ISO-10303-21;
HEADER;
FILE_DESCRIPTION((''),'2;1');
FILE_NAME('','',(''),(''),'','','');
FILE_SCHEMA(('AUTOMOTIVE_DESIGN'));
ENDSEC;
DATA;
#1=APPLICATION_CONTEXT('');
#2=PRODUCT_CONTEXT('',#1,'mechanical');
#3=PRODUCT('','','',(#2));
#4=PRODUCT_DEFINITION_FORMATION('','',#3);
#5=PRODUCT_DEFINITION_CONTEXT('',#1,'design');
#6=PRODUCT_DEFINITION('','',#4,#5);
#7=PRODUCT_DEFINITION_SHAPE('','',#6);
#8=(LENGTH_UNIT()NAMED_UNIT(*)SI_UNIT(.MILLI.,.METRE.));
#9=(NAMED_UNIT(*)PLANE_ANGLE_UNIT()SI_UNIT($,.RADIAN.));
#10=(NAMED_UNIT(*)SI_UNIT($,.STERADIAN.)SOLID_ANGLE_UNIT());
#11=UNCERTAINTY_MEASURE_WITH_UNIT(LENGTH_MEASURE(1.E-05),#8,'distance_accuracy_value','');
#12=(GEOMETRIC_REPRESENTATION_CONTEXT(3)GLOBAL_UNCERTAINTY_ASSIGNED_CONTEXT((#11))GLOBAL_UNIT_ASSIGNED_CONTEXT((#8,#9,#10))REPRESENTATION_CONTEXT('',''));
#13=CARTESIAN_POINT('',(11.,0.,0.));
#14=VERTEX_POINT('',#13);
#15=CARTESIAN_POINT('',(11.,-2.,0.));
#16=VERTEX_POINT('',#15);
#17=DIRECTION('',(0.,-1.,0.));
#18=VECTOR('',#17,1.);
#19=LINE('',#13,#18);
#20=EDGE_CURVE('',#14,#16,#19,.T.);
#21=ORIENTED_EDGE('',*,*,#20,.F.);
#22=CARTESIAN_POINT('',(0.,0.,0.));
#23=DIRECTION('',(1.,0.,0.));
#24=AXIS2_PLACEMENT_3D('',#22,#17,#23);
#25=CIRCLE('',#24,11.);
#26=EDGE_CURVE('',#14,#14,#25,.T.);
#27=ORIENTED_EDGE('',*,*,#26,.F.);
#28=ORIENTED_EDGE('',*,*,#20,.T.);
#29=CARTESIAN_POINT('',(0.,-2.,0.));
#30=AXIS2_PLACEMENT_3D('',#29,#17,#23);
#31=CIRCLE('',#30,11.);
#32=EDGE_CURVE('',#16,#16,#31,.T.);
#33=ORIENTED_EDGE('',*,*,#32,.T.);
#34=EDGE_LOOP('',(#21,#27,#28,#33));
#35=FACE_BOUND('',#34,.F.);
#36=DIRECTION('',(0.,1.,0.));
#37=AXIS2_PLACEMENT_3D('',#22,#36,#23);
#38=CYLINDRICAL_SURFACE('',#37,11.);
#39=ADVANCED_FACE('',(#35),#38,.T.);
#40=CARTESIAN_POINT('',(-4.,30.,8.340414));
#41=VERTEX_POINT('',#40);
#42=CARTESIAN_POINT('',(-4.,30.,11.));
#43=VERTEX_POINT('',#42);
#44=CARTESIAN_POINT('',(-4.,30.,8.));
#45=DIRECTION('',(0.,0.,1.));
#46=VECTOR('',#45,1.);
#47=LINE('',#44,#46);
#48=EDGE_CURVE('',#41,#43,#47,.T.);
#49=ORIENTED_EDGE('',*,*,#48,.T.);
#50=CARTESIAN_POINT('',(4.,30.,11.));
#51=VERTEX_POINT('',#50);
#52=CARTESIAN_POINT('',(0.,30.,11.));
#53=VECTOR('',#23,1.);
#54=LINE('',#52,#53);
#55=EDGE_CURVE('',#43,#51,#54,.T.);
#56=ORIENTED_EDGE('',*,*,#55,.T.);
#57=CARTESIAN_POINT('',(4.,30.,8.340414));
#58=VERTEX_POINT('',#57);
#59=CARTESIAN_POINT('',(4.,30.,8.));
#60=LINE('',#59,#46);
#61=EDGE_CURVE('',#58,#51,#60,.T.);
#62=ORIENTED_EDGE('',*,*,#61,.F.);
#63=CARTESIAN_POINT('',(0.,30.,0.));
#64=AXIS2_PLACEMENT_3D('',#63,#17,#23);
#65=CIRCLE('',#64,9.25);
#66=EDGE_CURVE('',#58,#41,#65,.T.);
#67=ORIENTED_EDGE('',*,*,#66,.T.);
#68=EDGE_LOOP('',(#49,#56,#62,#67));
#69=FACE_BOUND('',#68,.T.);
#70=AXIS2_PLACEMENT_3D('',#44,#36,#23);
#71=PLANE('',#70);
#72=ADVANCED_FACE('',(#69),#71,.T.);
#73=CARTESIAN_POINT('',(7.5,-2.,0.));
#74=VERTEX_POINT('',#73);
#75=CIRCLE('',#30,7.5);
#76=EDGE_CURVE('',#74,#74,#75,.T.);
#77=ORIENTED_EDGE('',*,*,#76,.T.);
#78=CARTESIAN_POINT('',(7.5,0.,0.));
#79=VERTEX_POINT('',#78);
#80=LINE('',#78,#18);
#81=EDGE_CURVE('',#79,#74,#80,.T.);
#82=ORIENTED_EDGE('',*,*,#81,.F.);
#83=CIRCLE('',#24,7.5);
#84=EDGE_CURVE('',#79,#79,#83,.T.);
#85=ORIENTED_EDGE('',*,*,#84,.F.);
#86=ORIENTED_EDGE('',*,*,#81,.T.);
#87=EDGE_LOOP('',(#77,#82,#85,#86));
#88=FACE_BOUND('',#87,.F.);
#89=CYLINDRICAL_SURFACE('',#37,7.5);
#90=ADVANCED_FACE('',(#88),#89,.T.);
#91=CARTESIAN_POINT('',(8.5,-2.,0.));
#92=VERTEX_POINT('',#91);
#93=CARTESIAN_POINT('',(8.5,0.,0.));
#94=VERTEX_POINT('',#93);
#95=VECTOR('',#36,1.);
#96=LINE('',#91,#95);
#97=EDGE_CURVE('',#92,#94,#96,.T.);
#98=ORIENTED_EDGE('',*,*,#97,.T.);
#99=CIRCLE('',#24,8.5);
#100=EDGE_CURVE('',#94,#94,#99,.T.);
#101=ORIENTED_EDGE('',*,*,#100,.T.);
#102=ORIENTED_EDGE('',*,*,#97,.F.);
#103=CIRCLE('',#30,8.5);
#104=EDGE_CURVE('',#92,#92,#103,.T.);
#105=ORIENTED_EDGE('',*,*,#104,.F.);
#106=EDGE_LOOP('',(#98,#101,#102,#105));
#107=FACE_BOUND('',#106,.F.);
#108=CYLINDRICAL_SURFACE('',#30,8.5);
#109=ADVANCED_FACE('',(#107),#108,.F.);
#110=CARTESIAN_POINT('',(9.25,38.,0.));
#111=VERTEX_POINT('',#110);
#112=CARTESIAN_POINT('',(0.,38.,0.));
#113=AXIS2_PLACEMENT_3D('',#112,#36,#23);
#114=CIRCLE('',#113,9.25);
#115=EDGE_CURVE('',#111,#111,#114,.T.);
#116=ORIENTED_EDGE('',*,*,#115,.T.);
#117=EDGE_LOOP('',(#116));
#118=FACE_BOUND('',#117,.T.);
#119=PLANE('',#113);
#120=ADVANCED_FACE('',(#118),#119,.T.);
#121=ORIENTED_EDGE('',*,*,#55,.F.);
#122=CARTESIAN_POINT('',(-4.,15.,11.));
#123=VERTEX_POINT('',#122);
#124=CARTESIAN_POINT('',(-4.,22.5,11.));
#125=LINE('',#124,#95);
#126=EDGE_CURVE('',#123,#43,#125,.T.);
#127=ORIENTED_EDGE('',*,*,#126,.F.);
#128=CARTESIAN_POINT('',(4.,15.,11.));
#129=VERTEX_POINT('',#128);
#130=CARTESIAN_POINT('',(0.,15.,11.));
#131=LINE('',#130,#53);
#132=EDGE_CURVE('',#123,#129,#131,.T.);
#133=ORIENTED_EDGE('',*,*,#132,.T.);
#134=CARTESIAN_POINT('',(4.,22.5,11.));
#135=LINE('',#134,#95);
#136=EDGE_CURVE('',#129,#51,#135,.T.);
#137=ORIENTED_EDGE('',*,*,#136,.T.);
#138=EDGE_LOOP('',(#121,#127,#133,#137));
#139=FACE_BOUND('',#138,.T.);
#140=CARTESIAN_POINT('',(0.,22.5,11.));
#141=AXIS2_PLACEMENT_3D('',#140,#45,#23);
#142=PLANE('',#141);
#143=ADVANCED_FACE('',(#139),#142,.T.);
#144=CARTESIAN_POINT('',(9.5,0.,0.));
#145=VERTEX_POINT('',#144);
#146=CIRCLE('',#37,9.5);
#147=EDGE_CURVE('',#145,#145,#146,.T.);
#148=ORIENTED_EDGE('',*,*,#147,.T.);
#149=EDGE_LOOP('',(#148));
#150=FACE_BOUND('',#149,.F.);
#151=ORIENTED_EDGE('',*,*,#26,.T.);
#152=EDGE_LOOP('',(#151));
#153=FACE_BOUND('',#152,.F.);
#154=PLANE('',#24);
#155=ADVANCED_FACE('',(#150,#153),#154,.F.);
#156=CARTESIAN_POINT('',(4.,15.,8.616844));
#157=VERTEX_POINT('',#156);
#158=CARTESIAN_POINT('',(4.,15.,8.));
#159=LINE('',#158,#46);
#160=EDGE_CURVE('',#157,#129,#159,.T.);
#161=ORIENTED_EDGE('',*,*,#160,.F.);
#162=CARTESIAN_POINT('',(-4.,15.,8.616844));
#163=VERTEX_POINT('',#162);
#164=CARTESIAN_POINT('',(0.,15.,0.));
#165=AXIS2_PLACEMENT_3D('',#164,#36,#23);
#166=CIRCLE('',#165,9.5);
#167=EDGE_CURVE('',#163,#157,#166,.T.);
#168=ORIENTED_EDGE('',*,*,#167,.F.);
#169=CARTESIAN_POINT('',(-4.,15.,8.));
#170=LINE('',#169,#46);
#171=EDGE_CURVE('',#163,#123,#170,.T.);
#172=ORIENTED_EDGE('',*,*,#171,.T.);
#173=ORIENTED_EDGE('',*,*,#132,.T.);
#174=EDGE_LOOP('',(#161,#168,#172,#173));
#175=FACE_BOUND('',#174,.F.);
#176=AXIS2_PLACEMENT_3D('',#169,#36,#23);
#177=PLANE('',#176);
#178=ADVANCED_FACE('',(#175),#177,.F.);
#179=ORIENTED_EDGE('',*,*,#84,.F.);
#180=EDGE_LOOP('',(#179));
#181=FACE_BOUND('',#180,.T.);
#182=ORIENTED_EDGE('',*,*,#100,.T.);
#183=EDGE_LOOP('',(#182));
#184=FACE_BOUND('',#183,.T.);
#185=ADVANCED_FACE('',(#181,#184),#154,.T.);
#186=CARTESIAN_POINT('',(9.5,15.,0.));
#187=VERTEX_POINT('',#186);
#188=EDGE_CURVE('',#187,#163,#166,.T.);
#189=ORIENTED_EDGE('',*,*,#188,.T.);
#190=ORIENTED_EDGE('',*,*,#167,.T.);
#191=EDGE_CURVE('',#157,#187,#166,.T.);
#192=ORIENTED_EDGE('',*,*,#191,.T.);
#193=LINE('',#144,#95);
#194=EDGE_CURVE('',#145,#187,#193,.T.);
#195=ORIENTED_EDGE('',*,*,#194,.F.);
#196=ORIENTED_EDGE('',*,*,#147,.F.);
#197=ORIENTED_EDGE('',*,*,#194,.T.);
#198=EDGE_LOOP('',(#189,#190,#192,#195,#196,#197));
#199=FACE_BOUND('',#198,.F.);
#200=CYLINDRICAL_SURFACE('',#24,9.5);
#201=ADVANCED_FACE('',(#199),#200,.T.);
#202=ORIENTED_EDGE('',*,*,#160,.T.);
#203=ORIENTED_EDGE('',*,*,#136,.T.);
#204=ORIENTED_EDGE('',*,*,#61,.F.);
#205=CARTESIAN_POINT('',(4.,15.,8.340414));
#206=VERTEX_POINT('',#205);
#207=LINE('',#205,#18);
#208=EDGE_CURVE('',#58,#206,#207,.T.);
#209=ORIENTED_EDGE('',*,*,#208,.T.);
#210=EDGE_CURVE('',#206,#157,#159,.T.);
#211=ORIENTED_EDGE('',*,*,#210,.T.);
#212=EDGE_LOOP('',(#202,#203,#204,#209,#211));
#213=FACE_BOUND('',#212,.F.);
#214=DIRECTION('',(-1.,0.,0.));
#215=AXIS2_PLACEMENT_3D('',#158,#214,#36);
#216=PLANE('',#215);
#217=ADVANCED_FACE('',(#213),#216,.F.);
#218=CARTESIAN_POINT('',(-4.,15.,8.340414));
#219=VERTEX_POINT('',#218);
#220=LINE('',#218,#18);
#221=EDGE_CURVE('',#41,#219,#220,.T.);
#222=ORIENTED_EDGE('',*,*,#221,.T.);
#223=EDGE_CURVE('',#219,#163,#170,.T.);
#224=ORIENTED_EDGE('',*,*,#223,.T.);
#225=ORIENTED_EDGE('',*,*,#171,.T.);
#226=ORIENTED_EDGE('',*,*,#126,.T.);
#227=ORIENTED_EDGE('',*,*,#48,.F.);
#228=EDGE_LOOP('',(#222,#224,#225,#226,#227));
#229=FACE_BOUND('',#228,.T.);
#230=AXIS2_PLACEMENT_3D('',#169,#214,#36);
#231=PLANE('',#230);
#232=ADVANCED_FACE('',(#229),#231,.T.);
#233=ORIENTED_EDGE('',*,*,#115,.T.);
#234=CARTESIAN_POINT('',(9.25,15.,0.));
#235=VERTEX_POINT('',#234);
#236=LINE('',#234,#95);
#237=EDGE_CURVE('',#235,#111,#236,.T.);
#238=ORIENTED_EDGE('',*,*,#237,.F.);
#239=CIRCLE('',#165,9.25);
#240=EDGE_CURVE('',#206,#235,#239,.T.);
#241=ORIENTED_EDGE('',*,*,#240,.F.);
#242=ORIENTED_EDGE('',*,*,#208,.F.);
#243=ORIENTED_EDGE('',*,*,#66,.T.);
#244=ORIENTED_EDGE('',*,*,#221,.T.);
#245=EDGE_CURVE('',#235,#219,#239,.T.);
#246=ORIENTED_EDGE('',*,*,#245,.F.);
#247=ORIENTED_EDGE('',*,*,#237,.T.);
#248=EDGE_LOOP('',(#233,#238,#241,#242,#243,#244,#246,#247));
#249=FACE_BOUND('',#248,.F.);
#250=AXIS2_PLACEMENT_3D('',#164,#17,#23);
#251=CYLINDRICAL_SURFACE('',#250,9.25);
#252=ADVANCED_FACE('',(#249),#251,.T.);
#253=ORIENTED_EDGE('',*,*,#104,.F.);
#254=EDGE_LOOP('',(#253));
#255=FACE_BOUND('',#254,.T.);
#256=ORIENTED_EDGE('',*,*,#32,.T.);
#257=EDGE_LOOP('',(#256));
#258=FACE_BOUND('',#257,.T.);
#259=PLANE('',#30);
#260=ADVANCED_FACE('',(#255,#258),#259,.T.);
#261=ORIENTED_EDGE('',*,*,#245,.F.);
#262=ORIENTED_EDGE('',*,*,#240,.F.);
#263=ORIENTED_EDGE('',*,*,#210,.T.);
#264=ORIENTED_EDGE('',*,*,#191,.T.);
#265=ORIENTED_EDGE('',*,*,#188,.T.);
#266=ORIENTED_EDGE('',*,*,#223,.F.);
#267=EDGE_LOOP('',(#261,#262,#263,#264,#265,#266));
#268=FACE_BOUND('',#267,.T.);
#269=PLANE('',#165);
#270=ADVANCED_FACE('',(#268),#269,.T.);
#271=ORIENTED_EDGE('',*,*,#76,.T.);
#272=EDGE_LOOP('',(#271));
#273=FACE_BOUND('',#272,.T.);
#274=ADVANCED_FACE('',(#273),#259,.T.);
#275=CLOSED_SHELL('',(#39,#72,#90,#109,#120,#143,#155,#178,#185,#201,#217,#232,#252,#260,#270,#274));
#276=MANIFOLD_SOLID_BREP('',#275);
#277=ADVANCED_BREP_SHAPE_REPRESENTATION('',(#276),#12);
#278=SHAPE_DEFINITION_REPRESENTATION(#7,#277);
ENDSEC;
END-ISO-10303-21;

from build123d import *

# Parameters (mm, degrees)
BOX_W        = 8
BOX_H        = 15
BOX_DEPTH    = 3
SKETCH_R     = 11
PAD_DEPTH    = 2
SKETCH001_R  = 9.5
PAD001_DEPTH = 15
SKETCH002_R  = 9.25
PAD002_DEPTH = 23
SKETCH003_R  = 8.5
POCKET_DEPTH = 2
SKETCH004_R  = 7.5
PAD003_DEPTH = 2


with BuildPart() as cubo:
    # Box → Box (new body)
    with BuildSketch(Plane(origin=(-4, 15, 8), x_dir=(1, 0, 0), z_dir=(0, 0, 1))):
        with Locations((4, 7.5)):
            Rectangle(BOX_W, BOX_H)
    extrude(amount=BOX_DEPTH)


with BuildPart() as fusion:
    # Sketch → Pad (new body)
    with BuildSketch(Plane.XZ):
        Circle(SKETCH_R)
    extrude(amount=PAD_DEPTH)

    # Sketch001 (on Face2 of Pad) → Pad001 (join)
    with BuildSketch(Plane(origin=(0, 0, 0), x_dir=(1, 0, 0), z_dir=(0, 1, 0))):
        Circle(SKETCH001_R)
    extrude(amount=PAD001_DEPTH)

    # Sketch002 (on Face5 of Pad001) → Pad002 (join)
    with BuildSketch(Plane(origin=(0, 15, 0), x_dir=(1, 0, 0), z_dir=(0, 1, 0))):
        Circle(SKETCH002_R)
    extrude(amount=PAD002_DEPTH)

    # Sketch003 (on Face3 of Pad002) → Pocket (cut)
    with BuildSketch(Plane.XZ.offset(2)):
        Circle(SKETCH003_R)
    extrude(amount=-POCKET_DEPTH, mode=Mode.SUBTRACT)

    # Sketch004 (on Face7 of Pocket) → Pad003 (join)
    with BuildSketch(Plane.XZ):
        Circle(SKETCH004_R)
    extrude(amount=PAD003_DEPTH)

    # Fusion: union Cubo
    add(cubo.part)


solid = fusion.part
